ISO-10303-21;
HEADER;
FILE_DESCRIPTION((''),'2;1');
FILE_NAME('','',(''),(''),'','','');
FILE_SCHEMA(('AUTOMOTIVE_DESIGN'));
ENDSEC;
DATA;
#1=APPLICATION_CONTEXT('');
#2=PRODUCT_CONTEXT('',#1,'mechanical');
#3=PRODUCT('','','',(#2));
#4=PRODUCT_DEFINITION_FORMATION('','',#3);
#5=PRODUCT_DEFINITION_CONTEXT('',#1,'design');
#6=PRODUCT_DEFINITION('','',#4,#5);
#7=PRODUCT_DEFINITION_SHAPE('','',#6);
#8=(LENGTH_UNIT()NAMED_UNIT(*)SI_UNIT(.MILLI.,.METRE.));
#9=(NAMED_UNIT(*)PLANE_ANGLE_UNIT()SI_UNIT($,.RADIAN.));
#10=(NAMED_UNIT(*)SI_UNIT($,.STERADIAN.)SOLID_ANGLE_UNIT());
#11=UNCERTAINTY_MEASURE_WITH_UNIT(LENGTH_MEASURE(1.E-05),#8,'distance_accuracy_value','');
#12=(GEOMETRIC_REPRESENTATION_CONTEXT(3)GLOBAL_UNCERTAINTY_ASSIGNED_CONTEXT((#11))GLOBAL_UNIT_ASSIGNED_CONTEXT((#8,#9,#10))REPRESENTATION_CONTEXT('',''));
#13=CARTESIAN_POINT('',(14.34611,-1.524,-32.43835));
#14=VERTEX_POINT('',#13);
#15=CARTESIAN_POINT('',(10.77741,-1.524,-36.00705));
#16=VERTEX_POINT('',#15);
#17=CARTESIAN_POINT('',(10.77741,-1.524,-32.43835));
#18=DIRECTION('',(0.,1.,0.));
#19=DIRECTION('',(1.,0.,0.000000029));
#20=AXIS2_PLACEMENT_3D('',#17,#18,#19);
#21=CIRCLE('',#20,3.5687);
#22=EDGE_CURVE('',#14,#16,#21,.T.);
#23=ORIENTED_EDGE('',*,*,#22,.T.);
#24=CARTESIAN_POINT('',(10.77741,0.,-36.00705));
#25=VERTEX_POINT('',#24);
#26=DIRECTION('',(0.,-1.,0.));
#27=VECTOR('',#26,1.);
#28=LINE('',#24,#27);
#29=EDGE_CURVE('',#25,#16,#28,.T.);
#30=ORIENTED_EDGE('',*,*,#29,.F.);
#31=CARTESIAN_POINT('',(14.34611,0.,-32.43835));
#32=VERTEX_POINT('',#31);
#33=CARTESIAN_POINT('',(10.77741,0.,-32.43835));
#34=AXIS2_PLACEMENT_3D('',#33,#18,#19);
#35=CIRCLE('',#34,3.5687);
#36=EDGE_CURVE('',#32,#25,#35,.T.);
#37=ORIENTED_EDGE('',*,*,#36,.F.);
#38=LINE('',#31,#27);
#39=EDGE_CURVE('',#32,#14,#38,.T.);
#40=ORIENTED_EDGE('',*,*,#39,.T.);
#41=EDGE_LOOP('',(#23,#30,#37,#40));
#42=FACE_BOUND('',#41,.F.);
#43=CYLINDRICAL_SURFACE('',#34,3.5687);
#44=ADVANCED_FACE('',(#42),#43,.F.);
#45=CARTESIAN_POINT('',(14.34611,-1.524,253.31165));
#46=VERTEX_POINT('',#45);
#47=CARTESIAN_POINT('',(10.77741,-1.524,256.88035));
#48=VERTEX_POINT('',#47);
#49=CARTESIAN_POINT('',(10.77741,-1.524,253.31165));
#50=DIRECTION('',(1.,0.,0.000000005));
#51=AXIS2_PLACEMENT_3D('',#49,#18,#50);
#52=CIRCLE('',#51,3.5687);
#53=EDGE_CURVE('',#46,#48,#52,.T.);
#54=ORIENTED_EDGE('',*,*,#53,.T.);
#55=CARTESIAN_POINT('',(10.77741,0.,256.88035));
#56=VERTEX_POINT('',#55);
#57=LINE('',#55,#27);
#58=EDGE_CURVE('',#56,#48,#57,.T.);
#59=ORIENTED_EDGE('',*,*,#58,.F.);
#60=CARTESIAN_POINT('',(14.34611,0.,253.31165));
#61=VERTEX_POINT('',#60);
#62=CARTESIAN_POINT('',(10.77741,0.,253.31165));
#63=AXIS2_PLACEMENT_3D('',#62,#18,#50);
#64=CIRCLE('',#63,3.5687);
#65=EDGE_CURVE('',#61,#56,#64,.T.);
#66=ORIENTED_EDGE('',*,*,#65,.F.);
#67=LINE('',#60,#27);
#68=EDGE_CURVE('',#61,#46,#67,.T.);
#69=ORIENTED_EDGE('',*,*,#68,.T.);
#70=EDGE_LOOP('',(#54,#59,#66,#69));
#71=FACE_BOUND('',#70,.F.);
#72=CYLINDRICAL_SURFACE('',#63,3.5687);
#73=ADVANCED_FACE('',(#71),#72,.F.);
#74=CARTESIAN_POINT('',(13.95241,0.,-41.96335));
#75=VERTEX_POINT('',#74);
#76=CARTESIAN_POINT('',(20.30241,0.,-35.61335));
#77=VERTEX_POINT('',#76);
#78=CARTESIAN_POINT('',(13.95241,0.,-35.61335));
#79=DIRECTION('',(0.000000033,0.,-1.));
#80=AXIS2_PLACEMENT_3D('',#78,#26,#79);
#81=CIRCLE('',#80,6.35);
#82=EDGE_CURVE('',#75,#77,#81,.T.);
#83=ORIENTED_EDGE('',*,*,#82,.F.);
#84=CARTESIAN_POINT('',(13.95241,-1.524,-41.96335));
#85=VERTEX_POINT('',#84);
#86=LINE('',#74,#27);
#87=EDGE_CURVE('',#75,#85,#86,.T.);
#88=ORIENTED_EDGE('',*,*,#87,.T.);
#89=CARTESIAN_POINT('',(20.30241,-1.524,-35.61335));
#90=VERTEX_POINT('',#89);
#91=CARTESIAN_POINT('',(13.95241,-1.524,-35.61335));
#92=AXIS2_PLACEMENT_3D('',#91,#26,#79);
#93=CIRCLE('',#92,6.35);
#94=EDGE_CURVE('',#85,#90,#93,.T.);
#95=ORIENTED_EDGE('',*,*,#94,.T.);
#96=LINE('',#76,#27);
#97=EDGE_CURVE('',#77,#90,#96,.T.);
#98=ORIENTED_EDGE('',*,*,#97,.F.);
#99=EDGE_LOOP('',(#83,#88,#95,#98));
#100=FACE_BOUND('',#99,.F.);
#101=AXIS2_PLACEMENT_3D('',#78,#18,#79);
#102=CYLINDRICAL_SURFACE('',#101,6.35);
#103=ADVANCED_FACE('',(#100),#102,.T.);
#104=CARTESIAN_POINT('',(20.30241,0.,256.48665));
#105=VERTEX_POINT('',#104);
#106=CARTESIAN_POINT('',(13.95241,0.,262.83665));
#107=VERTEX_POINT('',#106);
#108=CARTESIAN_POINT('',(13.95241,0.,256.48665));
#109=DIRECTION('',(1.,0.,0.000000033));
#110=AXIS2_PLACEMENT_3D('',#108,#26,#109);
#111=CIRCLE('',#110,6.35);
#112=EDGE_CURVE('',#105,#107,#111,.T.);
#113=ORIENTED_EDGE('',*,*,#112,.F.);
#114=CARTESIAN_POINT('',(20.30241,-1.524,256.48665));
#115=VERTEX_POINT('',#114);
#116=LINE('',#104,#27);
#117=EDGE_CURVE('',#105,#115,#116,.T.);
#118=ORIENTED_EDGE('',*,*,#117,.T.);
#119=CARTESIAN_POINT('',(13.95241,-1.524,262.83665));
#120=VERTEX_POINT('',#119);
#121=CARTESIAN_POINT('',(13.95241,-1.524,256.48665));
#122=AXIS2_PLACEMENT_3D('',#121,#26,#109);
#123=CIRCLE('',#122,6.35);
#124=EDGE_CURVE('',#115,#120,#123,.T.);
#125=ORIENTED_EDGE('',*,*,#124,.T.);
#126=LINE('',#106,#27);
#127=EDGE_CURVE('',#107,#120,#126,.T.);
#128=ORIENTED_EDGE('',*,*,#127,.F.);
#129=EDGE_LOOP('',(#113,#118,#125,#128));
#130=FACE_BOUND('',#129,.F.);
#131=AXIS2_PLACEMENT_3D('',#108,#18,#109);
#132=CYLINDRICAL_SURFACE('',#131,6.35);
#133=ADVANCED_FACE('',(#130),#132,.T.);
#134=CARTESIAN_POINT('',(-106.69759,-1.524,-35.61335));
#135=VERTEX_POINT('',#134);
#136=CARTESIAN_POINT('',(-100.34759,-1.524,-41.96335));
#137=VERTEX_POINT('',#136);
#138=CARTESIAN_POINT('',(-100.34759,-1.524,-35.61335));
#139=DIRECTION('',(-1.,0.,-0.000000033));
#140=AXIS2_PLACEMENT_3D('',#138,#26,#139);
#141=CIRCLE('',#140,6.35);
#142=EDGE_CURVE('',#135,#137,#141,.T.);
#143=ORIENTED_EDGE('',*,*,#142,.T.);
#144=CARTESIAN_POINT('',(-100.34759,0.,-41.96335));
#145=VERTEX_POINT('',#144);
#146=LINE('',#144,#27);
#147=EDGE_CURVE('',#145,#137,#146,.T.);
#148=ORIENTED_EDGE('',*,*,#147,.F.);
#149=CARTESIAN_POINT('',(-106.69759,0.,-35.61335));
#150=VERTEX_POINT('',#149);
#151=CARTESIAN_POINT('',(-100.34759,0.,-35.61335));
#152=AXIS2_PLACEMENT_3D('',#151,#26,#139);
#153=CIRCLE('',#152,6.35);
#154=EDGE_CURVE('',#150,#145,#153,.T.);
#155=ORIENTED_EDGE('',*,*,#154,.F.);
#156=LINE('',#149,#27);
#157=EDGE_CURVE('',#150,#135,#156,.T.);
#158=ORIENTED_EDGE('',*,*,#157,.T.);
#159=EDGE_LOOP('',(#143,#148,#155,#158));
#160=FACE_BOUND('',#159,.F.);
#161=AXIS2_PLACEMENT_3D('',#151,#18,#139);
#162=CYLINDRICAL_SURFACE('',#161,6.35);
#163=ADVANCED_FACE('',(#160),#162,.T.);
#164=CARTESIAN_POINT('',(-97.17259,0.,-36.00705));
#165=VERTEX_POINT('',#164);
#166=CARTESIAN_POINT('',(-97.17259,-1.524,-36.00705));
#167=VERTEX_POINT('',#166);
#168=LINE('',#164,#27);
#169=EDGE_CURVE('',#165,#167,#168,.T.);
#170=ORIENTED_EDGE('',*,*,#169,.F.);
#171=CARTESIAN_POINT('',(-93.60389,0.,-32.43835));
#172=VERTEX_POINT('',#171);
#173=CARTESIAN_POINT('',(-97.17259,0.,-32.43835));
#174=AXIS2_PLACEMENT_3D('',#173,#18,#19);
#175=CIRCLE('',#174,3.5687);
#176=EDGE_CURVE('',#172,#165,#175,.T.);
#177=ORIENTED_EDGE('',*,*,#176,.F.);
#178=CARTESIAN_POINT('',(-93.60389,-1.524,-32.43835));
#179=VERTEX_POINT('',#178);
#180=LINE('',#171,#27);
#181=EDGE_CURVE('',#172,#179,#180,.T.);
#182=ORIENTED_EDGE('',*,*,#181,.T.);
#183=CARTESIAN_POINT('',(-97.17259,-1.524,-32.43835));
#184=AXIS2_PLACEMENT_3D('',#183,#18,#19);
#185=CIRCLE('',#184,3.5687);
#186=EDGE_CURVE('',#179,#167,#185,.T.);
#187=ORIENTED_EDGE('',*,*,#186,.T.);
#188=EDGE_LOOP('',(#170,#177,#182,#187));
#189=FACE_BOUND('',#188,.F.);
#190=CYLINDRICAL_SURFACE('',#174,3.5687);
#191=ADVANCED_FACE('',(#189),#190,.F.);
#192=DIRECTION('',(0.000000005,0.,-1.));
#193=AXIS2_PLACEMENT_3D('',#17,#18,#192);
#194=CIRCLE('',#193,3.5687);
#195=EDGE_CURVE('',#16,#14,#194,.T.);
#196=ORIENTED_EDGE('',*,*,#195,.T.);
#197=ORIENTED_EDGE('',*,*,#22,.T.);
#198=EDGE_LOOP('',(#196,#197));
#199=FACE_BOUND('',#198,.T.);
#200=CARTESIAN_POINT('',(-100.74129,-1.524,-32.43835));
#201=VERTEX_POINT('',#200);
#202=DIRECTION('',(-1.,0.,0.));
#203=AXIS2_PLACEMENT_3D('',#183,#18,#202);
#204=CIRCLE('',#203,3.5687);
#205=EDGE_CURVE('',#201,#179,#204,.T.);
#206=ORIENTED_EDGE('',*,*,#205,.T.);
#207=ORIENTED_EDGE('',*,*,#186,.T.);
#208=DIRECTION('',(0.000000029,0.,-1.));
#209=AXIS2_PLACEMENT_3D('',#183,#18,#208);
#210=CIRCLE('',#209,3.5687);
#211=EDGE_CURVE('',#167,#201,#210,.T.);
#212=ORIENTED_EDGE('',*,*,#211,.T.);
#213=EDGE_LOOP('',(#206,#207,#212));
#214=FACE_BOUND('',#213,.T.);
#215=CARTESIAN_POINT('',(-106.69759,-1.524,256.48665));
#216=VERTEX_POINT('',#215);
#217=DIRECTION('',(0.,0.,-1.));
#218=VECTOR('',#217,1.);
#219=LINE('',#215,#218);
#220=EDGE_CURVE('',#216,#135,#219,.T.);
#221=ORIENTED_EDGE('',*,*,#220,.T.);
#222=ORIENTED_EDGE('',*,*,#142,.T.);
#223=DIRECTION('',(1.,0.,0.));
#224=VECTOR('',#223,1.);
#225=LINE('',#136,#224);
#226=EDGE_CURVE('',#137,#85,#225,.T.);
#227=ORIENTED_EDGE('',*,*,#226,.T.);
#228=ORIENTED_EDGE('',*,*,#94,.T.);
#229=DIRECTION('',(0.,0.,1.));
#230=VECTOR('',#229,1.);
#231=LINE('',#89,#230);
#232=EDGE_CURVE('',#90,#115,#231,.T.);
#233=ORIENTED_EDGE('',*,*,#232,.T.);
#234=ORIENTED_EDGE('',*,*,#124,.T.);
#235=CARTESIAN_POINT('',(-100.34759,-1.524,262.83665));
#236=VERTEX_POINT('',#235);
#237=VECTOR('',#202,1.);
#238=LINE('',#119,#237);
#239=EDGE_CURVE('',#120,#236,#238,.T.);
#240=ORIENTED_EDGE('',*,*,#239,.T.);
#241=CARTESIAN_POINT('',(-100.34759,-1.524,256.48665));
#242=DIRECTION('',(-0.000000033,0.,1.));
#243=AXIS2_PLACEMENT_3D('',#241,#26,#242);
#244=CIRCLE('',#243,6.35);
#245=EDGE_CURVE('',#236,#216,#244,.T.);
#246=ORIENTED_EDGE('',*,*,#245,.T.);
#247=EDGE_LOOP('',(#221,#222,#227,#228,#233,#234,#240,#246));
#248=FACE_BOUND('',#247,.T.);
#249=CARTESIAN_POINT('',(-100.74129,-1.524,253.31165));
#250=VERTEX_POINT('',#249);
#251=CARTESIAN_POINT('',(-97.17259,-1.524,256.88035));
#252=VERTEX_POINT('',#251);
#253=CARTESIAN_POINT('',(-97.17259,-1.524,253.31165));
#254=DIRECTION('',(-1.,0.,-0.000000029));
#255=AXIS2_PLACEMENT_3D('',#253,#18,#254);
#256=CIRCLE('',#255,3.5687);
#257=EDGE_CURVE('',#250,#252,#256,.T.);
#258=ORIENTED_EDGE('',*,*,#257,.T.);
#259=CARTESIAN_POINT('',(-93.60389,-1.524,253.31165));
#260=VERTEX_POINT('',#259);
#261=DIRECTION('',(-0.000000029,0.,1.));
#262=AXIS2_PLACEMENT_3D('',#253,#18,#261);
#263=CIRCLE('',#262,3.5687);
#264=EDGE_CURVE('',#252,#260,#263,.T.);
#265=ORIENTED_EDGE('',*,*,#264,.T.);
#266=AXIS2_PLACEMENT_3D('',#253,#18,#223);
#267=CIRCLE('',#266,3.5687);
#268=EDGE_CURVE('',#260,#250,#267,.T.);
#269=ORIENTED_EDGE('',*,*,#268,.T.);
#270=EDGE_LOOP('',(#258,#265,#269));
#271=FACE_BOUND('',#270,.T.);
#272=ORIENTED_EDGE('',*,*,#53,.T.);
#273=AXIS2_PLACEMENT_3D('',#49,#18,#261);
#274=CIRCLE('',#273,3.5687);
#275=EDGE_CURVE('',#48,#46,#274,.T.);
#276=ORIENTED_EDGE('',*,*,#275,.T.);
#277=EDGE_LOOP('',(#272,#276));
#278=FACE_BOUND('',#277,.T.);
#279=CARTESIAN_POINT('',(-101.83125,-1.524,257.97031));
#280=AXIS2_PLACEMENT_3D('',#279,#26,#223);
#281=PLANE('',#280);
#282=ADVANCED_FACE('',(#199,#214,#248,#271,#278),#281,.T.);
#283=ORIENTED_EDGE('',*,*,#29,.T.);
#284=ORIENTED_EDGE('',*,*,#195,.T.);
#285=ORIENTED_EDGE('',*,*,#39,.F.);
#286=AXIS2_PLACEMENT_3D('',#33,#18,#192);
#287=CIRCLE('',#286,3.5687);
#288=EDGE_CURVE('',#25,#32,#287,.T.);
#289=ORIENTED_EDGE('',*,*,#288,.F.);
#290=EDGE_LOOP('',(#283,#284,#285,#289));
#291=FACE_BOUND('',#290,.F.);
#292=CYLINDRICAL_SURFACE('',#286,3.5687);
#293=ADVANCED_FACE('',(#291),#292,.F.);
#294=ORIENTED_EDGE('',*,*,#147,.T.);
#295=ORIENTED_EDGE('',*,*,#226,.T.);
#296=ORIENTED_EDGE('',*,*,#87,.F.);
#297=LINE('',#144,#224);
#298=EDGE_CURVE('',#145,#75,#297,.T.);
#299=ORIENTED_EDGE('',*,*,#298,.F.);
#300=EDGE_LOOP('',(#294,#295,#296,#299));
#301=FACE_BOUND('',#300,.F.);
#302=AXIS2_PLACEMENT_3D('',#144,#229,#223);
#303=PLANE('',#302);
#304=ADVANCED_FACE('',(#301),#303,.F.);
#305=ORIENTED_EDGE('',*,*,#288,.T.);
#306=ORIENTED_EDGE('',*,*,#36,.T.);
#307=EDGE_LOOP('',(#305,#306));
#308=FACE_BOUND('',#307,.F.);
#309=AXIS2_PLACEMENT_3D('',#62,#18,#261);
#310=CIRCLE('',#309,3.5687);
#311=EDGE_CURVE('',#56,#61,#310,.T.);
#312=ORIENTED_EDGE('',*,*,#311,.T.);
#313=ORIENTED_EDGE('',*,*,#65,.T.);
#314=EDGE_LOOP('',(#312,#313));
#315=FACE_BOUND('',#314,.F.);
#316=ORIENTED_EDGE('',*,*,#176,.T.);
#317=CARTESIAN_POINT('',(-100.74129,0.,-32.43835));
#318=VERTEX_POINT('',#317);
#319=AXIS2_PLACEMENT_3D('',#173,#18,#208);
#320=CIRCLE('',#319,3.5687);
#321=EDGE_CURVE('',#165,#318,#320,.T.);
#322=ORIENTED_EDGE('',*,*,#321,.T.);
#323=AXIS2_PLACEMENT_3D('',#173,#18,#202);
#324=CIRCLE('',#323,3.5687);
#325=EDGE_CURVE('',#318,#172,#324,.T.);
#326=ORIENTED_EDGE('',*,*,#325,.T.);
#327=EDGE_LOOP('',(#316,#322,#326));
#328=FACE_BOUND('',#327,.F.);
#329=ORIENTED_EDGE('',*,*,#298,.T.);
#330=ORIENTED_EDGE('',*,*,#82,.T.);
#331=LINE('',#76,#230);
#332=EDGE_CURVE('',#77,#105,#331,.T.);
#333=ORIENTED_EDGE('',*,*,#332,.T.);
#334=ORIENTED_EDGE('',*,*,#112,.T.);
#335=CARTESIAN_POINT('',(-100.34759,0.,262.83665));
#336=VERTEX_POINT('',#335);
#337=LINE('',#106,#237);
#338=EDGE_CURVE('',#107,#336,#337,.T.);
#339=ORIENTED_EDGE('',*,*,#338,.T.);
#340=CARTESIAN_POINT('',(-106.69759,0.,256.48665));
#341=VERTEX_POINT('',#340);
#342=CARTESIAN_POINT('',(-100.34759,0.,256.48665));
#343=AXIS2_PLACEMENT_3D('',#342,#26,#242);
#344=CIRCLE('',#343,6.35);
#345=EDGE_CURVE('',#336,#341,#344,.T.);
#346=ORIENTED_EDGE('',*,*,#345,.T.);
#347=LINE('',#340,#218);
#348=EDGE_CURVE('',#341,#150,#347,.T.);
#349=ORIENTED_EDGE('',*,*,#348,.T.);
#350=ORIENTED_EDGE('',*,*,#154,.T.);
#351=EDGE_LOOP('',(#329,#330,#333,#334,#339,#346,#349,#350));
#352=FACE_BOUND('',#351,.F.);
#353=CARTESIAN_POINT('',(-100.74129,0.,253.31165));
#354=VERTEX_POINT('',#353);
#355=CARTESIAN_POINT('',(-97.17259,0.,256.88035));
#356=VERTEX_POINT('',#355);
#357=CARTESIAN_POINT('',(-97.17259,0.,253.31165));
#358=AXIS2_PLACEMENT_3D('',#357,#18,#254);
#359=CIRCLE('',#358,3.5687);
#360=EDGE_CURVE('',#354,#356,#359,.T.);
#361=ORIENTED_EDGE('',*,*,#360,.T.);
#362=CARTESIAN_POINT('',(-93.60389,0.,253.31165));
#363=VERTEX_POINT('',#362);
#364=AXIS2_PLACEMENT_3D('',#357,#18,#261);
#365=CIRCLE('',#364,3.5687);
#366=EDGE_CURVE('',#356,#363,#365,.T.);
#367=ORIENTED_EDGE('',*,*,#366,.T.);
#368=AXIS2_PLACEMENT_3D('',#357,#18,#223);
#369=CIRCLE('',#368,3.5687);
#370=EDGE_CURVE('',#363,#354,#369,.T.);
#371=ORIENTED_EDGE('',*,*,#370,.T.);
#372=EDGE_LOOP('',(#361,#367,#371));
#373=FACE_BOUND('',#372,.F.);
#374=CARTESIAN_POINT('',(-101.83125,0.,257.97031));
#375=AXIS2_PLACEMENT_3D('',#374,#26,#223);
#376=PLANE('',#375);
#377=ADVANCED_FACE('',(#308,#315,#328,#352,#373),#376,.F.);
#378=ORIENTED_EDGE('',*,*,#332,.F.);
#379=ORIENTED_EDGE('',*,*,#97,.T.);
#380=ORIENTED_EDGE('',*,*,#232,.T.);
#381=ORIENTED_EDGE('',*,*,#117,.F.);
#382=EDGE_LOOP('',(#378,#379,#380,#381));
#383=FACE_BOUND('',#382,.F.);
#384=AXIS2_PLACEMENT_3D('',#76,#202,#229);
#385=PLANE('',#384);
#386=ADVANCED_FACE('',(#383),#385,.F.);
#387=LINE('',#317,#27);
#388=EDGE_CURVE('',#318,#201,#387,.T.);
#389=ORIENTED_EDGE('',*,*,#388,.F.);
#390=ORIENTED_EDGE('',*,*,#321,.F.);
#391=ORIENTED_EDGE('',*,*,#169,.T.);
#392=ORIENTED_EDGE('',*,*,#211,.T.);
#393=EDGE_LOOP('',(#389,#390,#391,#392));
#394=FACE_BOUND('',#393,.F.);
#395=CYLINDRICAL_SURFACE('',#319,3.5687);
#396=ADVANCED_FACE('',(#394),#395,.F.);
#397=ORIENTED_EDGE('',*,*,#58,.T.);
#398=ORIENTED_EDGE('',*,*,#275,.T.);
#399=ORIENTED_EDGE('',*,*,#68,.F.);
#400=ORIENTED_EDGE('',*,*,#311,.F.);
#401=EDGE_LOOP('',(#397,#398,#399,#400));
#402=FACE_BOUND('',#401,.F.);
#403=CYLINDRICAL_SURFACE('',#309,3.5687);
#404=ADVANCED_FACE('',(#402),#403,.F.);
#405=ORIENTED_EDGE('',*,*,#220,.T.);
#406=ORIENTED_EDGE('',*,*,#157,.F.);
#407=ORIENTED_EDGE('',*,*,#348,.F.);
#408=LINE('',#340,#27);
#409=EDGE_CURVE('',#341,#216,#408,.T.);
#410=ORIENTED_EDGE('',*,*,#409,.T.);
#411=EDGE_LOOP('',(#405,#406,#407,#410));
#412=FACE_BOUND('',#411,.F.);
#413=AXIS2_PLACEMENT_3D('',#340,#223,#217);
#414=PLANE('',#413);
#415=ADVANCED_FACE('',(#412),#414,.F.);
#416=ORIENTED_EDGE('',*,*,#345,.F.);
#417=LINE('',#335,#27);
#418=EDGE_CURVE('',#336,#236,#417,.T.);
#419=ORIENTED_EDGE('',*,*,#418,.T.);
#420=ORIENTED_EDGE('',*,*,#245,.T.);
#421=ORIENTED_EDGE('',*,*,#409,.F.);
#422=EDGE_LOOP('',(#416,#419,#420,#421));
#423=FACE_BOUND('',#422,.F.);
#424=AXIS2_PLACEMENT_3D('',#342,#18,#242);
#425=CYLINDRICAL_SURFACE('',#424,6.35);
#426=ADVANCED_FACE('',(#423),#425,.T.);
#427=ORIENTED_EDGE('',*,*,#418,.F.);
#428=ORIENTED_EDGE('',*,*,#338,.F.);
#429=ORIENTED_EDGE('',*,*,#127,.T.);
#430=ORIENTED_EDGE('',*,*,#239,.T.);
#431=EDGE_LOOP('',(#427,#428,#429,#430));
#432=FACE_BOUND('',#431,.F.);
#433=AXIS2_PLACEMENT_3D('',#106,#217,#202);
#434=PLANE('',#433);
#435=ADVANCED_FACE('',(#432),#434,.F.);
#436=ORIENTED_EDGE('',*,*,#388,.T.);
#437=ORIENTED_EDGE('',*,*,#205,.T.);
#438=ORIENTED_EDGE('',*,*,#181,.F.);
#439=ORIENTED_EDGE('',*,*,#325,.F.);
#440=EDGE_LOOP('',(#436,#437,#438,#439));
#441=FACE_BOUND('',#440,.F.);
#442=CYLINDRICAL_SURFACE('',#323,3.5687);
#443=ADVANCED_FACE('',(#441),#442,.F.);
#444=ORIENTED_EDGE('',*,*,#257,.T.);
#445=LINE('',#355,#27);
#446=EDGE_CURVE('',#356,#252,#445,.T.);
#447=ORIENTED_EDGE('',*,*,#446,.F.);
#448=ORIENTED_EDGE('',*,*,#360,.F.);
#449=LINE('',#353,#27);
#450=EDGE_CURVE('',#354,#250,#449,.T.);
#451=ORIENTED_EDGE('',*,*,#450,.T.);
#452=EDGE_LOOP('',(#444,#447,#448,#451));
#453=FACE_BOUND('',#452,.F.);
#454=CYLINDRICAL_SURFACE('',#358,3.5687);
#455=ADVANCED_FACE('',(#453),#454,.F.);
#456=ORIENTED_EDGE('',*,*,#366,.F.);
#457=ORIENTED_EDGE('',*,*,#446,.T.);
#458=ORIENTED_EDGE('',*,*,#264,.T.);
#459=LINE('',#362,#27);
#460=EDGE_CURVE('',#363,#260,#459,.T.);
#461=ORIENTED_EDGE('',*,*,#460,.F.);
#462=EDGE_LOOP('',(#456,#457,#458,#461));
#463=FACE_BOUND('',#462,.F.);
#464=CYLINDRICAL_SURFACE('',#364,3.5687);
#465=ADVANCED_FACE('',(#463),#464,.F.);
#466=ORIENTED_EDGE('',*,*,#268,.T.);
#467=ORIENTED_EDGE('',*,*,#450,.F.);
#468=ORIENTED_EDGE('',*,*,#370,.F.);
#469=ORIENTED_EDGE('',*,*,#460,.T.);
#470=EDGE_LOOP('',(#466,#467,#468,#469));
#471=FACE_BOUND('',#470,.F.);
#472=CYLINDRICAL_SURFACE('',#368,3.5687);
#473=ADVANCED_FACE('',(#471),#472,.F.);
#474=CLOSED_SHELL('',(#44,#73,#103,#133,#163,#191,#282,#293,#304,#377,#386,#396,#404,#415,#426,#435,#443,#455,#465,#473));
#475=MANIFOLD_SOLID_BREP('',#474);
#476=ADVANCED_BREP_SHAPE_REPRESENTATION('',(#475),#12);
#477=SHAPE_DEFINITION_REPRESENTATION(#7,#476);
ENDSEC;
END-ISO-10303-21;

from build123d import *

# Parameters (mm, degrees)
F1_DEPTH = 1.524


with BuildPart() as f1:
    # F0 (on Front) → F1 (new body)
    with BuildSketch(Plane.XZ):
        with BuildLine():
            Line((-97.17259, 262.83665), (-100.34759, 262.83665))
            ThreePointArc((-100.34759, 262.83665), (-104.837718, 260.976778), (-106.69759, 256.48665))
            Line((-106.69759, 256.48665), (-106.69759, 253.31165))
            Line((-106.69759, 253.31165), (-100.74129, 253.31165))
            ThreePointArc((-100.74129, 253.31165), (-99.696042, 255.835102), (-97.17259, 256.88035))
            Line((-97.17259, 256.88035), (-97.17259, 262.83665))
        make_face()
        with BuildLine():
            Line((10.77741, 262.83665), (-97.17259, 262.83665))
            Line((-97.17259, 262.83665), (-97.17259, 256.88035))
            ThreePointArc((-97.17259, 256.88035), (-94.649138, 255.835102), (-93.60389, 253.31165))
            ThreePointArc((-93.60389, 253.31165), (-97.17259, 249.74295), (-100.74129, 253.31165))
            Line((-100.74129, 253.31165), (-106.69759, 253.31165))
            Line((-106.69759, 253.31165), (-106.69759, -32.43835))
            Line((-106.69759, -32.43835), (-100.74129, -32.43835))
            ThreePointArc((-100.74129, -32.43835), (-97.17259, -28.86965), (-93.60389, -32.43835))
            ThreePointArc((-93.60389, -32.43835), (-94.649138, -34.961802), (-97.17259, -36.00705))
            Line((-97.17259, -36.00705), (-97.17259, -41.96335))
            Line((-97.17259, -41.96335), (10.77741, -41.96335))
            Line((10.77741, -41.96335), (10.77741, -36.00705))
            ThreePointArc((10.77741, -36.00705), (8.253958, -29.914898), (14.34611, -32.43835))
            Line((14.34611, -32.43835), (20.30241, -32.43835))
            Line((20.30241, -32.43835), (20.30241, 253.31165))
            Line((20.30241, 253.31165), (14.34611, 253.31165))
            ThreePointArc((14.34611, 253.31165), (8.253958, 250.788198), (10.77741, 256.88035))
            Line((10.77741, 256.88035), (10.77741, 262.83665))
        make_face()
        with BuildLine():
            Line((13.95241, 262.83665), (10.77741, 262.83665))
            Line((10.77741, 262.83665), (10.77741, 256.88035))
            ThreePointArc((10.77741, 256.88035), (13.300862, 255.835102), (14.34611, 253.31165))
            Line((14.34611, 253.31165), (20.30241, 253.31165))
            Line((20.30241, 253.31165), (20.30241, 256.48665))
            ThreePointArc((20.30241, 256.48665), (18.442538, 260.976778), (13.95241, 262.83665))
        make_face()
        with BuildLine():
            Line((-100.74129, -32.43835), (-106.69759, -32.43835))
            Line((-106.69759, -32.43835), (-106.69759, -35.61335))
            ThreePointArc((-106.69759, -35.61335), (-104.837718, -40.103478), (-100.34759, -41.96335))
            Line((-100.34759, -41.96335), (-97.17259, -41.96335))
            Line((-97.17259, -41.96335), (-97.17259, -36.00705))
            ThreePointArc((-97.17259, -36.00705), (-99.696042, -34.961802), (-100.74129, -32.43835))
        make_face()
        with BuildLine():
            Line((20.30241, -35.61335), (20.30241, -32.43835))
            Line((20.30241, -32.43835), (14.34611, -32.43835))
            ThreePointArc((14.34611, -32.43835), (13.300862, -34.961802), (10.77741, -36.00705))
            Line((10.77741, -36.00705), (10.77741, -41.96335))
            Line((10.77741, -41.96335), (13.95241, -41.96335))
            ThreePointArc((13.95241, -41.96335), (18.442538, -40.103478), (20.30241, -35.61335))
        make_face()
    extrude(amount=F1_DEPTH)


solid = f1.part
